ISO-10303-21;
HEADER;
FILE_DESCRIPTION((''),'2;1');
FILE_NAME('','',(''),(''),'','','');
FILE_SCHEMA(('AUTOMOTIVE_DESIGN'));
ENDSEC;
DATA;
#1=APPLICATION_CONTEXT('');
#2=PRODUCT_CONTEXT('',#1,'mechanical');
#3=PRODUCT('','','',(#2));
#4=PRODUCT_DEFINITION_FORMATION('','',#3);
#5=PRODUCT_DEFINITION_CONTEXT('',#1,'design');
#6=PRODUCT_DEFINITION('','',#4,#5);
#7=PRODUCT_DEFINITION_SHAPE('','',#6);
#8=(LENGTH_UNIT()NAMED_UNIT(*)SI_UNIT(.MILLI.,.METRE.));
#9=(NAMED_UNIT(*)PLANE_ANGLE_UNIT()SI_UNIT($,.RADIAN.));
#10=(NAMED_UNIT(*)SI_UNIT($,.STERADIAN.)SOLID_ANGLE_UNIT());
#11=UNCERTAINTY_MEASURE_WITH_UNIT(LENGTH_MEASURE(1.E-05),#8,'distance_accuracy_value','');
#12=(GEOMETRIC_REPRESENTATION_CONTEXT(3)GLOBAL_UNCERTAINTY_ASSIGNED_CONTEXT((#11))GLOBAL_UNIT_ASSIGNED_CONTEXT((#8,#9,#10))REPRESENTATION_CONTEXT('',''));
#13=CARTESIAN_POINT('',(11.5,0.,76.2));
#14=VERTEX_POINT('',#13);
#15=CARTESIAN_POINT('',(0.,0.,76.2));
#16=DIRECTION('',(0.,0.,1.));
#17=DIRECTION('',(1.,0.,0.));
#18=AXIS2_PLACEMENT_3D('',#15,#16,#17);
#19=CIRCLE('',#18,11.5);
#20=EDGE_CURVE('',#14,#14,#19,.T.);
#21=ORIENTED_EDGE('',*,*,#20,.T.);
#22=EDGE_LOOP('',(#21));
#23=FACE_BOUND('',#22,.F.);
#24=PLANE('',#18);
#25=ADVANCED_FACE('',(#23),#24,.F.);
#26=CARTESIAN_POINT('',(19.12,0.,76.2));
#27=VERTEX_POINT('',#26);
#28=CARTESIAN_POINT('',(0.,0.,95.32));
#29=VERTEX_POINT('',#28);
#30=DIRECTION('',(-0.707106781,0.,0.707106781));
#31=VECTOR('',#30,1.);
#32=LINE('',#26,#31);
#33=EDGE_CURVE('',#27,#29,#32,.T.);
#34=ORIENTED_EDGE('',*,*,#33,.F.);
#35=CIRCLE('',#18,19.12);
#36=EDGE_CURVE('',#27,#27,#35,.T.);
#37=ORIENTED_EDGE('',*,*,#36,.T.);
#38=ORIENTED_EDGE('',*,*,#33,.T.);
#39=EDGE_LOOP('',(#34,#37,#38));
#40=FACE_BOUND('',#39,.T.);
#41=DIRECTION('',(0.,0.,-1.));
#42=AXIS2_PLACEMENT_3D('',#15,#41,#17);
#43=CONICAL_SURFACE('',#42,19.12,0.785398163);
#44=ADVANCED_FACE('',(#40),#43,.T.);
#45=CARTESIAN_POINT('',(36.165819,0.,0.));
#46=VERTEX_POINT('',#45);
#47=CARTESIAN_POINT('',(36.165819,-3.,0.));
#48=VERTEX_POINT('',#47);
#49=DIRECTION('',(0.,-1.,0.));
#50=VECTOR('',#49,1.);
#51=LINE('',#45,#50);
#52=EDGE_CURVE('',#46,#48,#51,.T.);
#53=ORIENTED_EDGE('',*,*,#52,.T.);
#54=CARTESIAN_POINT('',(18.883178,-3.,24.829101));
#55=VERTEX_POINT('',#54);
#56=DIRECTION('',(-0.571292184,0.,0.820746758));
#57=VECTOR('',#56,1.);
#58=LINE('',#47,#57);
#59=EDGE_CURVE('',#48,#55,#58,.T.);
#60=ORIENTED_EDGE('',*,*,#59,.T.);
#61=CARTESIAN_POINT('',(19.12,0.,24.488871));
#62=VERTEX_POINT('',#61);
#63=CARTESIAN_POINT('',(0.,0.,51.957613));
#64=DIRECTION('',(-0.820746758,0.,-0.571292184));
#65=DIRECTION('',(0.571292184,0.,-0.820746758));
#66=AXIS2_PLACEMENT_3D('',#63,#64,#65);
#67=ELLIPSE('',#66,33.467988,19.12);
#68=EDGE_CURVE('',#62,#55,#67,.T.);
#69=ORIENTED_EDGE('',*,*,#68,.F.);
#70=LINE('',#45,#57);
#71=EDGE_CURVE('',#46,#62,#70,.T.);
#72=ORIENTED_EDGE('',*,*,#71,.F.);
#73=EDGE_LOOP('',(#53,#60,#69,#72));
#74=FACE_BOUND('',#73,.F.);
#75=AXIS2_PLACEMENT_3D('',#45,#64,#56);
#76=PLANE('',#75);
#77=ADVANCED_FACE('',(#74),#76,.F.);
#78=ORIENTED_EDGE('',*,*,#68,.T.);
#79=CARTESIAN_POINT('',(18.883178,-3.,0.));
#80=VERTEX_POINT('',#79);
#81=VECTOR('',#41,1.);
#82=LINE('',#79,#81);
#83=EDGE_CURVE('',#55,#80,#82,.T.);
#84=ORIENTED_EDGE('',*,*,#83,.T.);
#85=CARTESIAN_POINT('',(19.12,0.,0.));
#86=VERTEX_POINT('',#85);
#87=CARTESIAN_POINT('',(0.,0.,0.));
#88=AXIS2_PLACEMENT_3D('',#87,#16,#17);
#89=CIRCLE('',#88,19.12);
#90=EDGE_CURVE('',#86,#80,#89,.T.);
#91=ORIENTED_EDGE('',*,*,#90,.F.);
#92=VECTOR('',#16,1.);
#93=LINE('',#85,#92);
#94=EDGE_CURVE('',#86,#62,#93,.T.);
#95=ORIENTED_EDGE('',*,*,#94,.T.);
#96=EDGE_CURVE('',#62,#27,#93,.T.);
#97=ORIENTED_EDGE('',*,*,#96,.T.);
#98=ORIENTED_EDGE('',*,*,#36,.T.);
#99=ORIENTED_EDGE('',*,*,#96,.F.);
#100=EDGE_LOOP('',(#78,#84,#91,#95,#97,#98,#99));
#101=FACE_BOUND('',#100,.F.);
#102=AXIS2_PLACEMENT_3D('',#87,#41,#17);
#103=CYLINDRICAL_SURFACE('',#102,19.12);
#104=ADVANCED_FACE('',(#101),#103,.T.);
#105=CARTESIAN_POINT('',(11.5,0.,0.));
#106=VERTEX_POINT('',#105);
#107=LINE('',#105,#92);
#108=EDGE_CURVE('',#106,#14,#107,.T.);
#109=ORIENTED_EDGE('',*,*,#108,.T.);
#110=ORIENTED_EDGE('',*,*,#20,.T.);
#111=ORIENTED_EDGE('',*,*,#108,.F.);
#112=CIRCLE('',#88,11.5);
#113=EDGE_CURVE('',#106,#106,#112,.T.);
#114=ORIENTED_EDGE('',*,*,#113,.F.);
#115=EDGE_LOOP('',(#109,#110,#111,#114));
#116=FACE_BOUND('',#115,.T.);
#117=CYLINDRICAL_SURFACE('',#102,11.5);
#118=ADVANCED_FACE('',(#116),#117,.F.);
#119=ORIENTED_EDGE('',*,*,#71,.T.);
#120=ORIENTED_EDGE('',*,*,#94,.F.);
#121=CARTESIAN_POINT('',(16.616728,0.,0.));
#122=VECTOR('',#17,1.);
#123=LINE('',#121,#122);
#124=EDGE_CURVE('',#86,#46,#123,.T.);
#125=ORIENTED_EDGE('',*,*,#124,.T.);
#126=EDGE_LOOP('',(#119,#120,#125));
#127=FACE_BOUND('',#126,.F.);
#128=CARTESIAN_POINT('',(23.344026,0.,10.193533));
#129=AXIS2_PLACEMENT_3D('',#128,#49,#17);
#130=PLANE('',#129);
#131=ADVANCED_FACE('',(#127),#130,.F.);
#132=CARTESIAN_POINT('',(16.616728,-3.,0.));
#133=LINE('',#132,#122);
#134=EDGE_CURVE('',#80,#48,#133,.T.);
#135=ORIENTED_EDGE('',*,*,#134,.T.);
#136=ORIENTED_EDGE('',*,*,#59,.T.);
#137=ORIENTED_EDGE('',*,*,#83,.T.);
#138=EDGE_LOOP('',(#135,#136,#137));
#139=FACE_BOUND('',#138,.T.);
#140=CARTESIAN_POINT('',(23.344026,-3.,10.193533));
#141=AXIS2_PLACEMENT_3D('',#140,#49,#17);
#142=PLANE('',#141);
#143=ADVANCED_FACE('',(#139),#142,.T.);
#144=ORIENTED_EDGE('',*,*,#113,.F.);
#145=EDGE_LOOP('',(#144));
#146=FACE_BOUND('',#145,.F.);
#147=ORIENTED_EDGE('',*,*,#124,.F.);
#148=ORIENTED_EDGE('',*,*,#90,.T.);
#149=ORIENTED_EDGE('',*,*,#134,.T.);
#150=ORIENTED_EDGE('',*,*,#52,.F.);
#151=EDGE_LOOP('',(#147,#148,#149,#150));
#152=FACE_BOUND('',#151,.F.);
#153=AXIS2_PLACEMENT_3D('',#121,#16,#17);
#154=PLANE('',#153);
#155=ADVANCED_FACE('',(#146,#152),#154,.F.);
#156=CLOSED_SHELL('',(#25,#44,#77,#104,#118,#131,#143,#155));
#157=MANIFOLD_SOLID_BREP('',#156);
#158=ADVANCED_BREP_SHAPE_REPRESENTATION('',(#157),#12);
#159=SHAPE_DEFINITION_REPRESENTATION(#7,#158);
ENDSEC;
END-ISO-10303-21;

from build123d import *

# Parameters (mm, degrees)
F0_R     = 19.12
F0_R_2   = 11.5
F1_DEPTH = 76.2
F2_R     = 19.12
F3_DEPTH = 27.94
F3_TAPER = 45
F5_DEPTH = 3


with BuildPart() as f1:
    # F0 (on Top) → F1 (new body)
    with BuildSketch(Plane.XY):
        Circle(F0_R)
        Circle(F0_R_2, mode=Mode.SUBTRACT)
    extrude(amount=F1_DEPTH)

    # F2 (on face) → F3 (join)
    with BuildSketch(Plane.XY.offset(76.2)):
        Circle(F2_R)
    extrude(amount=F3_DEPTH, taper=F3_TAPER)

    # F4 (on Front) → F5 (join)
    with BuildSketch(Plane.XZ):
        Polygon((36.165818572, 0), (17.3498187214, 27.032000944), (16.6167281568, 0), align=None)
    extrude(amount=F5_DEPTH)


solid = f1.part
